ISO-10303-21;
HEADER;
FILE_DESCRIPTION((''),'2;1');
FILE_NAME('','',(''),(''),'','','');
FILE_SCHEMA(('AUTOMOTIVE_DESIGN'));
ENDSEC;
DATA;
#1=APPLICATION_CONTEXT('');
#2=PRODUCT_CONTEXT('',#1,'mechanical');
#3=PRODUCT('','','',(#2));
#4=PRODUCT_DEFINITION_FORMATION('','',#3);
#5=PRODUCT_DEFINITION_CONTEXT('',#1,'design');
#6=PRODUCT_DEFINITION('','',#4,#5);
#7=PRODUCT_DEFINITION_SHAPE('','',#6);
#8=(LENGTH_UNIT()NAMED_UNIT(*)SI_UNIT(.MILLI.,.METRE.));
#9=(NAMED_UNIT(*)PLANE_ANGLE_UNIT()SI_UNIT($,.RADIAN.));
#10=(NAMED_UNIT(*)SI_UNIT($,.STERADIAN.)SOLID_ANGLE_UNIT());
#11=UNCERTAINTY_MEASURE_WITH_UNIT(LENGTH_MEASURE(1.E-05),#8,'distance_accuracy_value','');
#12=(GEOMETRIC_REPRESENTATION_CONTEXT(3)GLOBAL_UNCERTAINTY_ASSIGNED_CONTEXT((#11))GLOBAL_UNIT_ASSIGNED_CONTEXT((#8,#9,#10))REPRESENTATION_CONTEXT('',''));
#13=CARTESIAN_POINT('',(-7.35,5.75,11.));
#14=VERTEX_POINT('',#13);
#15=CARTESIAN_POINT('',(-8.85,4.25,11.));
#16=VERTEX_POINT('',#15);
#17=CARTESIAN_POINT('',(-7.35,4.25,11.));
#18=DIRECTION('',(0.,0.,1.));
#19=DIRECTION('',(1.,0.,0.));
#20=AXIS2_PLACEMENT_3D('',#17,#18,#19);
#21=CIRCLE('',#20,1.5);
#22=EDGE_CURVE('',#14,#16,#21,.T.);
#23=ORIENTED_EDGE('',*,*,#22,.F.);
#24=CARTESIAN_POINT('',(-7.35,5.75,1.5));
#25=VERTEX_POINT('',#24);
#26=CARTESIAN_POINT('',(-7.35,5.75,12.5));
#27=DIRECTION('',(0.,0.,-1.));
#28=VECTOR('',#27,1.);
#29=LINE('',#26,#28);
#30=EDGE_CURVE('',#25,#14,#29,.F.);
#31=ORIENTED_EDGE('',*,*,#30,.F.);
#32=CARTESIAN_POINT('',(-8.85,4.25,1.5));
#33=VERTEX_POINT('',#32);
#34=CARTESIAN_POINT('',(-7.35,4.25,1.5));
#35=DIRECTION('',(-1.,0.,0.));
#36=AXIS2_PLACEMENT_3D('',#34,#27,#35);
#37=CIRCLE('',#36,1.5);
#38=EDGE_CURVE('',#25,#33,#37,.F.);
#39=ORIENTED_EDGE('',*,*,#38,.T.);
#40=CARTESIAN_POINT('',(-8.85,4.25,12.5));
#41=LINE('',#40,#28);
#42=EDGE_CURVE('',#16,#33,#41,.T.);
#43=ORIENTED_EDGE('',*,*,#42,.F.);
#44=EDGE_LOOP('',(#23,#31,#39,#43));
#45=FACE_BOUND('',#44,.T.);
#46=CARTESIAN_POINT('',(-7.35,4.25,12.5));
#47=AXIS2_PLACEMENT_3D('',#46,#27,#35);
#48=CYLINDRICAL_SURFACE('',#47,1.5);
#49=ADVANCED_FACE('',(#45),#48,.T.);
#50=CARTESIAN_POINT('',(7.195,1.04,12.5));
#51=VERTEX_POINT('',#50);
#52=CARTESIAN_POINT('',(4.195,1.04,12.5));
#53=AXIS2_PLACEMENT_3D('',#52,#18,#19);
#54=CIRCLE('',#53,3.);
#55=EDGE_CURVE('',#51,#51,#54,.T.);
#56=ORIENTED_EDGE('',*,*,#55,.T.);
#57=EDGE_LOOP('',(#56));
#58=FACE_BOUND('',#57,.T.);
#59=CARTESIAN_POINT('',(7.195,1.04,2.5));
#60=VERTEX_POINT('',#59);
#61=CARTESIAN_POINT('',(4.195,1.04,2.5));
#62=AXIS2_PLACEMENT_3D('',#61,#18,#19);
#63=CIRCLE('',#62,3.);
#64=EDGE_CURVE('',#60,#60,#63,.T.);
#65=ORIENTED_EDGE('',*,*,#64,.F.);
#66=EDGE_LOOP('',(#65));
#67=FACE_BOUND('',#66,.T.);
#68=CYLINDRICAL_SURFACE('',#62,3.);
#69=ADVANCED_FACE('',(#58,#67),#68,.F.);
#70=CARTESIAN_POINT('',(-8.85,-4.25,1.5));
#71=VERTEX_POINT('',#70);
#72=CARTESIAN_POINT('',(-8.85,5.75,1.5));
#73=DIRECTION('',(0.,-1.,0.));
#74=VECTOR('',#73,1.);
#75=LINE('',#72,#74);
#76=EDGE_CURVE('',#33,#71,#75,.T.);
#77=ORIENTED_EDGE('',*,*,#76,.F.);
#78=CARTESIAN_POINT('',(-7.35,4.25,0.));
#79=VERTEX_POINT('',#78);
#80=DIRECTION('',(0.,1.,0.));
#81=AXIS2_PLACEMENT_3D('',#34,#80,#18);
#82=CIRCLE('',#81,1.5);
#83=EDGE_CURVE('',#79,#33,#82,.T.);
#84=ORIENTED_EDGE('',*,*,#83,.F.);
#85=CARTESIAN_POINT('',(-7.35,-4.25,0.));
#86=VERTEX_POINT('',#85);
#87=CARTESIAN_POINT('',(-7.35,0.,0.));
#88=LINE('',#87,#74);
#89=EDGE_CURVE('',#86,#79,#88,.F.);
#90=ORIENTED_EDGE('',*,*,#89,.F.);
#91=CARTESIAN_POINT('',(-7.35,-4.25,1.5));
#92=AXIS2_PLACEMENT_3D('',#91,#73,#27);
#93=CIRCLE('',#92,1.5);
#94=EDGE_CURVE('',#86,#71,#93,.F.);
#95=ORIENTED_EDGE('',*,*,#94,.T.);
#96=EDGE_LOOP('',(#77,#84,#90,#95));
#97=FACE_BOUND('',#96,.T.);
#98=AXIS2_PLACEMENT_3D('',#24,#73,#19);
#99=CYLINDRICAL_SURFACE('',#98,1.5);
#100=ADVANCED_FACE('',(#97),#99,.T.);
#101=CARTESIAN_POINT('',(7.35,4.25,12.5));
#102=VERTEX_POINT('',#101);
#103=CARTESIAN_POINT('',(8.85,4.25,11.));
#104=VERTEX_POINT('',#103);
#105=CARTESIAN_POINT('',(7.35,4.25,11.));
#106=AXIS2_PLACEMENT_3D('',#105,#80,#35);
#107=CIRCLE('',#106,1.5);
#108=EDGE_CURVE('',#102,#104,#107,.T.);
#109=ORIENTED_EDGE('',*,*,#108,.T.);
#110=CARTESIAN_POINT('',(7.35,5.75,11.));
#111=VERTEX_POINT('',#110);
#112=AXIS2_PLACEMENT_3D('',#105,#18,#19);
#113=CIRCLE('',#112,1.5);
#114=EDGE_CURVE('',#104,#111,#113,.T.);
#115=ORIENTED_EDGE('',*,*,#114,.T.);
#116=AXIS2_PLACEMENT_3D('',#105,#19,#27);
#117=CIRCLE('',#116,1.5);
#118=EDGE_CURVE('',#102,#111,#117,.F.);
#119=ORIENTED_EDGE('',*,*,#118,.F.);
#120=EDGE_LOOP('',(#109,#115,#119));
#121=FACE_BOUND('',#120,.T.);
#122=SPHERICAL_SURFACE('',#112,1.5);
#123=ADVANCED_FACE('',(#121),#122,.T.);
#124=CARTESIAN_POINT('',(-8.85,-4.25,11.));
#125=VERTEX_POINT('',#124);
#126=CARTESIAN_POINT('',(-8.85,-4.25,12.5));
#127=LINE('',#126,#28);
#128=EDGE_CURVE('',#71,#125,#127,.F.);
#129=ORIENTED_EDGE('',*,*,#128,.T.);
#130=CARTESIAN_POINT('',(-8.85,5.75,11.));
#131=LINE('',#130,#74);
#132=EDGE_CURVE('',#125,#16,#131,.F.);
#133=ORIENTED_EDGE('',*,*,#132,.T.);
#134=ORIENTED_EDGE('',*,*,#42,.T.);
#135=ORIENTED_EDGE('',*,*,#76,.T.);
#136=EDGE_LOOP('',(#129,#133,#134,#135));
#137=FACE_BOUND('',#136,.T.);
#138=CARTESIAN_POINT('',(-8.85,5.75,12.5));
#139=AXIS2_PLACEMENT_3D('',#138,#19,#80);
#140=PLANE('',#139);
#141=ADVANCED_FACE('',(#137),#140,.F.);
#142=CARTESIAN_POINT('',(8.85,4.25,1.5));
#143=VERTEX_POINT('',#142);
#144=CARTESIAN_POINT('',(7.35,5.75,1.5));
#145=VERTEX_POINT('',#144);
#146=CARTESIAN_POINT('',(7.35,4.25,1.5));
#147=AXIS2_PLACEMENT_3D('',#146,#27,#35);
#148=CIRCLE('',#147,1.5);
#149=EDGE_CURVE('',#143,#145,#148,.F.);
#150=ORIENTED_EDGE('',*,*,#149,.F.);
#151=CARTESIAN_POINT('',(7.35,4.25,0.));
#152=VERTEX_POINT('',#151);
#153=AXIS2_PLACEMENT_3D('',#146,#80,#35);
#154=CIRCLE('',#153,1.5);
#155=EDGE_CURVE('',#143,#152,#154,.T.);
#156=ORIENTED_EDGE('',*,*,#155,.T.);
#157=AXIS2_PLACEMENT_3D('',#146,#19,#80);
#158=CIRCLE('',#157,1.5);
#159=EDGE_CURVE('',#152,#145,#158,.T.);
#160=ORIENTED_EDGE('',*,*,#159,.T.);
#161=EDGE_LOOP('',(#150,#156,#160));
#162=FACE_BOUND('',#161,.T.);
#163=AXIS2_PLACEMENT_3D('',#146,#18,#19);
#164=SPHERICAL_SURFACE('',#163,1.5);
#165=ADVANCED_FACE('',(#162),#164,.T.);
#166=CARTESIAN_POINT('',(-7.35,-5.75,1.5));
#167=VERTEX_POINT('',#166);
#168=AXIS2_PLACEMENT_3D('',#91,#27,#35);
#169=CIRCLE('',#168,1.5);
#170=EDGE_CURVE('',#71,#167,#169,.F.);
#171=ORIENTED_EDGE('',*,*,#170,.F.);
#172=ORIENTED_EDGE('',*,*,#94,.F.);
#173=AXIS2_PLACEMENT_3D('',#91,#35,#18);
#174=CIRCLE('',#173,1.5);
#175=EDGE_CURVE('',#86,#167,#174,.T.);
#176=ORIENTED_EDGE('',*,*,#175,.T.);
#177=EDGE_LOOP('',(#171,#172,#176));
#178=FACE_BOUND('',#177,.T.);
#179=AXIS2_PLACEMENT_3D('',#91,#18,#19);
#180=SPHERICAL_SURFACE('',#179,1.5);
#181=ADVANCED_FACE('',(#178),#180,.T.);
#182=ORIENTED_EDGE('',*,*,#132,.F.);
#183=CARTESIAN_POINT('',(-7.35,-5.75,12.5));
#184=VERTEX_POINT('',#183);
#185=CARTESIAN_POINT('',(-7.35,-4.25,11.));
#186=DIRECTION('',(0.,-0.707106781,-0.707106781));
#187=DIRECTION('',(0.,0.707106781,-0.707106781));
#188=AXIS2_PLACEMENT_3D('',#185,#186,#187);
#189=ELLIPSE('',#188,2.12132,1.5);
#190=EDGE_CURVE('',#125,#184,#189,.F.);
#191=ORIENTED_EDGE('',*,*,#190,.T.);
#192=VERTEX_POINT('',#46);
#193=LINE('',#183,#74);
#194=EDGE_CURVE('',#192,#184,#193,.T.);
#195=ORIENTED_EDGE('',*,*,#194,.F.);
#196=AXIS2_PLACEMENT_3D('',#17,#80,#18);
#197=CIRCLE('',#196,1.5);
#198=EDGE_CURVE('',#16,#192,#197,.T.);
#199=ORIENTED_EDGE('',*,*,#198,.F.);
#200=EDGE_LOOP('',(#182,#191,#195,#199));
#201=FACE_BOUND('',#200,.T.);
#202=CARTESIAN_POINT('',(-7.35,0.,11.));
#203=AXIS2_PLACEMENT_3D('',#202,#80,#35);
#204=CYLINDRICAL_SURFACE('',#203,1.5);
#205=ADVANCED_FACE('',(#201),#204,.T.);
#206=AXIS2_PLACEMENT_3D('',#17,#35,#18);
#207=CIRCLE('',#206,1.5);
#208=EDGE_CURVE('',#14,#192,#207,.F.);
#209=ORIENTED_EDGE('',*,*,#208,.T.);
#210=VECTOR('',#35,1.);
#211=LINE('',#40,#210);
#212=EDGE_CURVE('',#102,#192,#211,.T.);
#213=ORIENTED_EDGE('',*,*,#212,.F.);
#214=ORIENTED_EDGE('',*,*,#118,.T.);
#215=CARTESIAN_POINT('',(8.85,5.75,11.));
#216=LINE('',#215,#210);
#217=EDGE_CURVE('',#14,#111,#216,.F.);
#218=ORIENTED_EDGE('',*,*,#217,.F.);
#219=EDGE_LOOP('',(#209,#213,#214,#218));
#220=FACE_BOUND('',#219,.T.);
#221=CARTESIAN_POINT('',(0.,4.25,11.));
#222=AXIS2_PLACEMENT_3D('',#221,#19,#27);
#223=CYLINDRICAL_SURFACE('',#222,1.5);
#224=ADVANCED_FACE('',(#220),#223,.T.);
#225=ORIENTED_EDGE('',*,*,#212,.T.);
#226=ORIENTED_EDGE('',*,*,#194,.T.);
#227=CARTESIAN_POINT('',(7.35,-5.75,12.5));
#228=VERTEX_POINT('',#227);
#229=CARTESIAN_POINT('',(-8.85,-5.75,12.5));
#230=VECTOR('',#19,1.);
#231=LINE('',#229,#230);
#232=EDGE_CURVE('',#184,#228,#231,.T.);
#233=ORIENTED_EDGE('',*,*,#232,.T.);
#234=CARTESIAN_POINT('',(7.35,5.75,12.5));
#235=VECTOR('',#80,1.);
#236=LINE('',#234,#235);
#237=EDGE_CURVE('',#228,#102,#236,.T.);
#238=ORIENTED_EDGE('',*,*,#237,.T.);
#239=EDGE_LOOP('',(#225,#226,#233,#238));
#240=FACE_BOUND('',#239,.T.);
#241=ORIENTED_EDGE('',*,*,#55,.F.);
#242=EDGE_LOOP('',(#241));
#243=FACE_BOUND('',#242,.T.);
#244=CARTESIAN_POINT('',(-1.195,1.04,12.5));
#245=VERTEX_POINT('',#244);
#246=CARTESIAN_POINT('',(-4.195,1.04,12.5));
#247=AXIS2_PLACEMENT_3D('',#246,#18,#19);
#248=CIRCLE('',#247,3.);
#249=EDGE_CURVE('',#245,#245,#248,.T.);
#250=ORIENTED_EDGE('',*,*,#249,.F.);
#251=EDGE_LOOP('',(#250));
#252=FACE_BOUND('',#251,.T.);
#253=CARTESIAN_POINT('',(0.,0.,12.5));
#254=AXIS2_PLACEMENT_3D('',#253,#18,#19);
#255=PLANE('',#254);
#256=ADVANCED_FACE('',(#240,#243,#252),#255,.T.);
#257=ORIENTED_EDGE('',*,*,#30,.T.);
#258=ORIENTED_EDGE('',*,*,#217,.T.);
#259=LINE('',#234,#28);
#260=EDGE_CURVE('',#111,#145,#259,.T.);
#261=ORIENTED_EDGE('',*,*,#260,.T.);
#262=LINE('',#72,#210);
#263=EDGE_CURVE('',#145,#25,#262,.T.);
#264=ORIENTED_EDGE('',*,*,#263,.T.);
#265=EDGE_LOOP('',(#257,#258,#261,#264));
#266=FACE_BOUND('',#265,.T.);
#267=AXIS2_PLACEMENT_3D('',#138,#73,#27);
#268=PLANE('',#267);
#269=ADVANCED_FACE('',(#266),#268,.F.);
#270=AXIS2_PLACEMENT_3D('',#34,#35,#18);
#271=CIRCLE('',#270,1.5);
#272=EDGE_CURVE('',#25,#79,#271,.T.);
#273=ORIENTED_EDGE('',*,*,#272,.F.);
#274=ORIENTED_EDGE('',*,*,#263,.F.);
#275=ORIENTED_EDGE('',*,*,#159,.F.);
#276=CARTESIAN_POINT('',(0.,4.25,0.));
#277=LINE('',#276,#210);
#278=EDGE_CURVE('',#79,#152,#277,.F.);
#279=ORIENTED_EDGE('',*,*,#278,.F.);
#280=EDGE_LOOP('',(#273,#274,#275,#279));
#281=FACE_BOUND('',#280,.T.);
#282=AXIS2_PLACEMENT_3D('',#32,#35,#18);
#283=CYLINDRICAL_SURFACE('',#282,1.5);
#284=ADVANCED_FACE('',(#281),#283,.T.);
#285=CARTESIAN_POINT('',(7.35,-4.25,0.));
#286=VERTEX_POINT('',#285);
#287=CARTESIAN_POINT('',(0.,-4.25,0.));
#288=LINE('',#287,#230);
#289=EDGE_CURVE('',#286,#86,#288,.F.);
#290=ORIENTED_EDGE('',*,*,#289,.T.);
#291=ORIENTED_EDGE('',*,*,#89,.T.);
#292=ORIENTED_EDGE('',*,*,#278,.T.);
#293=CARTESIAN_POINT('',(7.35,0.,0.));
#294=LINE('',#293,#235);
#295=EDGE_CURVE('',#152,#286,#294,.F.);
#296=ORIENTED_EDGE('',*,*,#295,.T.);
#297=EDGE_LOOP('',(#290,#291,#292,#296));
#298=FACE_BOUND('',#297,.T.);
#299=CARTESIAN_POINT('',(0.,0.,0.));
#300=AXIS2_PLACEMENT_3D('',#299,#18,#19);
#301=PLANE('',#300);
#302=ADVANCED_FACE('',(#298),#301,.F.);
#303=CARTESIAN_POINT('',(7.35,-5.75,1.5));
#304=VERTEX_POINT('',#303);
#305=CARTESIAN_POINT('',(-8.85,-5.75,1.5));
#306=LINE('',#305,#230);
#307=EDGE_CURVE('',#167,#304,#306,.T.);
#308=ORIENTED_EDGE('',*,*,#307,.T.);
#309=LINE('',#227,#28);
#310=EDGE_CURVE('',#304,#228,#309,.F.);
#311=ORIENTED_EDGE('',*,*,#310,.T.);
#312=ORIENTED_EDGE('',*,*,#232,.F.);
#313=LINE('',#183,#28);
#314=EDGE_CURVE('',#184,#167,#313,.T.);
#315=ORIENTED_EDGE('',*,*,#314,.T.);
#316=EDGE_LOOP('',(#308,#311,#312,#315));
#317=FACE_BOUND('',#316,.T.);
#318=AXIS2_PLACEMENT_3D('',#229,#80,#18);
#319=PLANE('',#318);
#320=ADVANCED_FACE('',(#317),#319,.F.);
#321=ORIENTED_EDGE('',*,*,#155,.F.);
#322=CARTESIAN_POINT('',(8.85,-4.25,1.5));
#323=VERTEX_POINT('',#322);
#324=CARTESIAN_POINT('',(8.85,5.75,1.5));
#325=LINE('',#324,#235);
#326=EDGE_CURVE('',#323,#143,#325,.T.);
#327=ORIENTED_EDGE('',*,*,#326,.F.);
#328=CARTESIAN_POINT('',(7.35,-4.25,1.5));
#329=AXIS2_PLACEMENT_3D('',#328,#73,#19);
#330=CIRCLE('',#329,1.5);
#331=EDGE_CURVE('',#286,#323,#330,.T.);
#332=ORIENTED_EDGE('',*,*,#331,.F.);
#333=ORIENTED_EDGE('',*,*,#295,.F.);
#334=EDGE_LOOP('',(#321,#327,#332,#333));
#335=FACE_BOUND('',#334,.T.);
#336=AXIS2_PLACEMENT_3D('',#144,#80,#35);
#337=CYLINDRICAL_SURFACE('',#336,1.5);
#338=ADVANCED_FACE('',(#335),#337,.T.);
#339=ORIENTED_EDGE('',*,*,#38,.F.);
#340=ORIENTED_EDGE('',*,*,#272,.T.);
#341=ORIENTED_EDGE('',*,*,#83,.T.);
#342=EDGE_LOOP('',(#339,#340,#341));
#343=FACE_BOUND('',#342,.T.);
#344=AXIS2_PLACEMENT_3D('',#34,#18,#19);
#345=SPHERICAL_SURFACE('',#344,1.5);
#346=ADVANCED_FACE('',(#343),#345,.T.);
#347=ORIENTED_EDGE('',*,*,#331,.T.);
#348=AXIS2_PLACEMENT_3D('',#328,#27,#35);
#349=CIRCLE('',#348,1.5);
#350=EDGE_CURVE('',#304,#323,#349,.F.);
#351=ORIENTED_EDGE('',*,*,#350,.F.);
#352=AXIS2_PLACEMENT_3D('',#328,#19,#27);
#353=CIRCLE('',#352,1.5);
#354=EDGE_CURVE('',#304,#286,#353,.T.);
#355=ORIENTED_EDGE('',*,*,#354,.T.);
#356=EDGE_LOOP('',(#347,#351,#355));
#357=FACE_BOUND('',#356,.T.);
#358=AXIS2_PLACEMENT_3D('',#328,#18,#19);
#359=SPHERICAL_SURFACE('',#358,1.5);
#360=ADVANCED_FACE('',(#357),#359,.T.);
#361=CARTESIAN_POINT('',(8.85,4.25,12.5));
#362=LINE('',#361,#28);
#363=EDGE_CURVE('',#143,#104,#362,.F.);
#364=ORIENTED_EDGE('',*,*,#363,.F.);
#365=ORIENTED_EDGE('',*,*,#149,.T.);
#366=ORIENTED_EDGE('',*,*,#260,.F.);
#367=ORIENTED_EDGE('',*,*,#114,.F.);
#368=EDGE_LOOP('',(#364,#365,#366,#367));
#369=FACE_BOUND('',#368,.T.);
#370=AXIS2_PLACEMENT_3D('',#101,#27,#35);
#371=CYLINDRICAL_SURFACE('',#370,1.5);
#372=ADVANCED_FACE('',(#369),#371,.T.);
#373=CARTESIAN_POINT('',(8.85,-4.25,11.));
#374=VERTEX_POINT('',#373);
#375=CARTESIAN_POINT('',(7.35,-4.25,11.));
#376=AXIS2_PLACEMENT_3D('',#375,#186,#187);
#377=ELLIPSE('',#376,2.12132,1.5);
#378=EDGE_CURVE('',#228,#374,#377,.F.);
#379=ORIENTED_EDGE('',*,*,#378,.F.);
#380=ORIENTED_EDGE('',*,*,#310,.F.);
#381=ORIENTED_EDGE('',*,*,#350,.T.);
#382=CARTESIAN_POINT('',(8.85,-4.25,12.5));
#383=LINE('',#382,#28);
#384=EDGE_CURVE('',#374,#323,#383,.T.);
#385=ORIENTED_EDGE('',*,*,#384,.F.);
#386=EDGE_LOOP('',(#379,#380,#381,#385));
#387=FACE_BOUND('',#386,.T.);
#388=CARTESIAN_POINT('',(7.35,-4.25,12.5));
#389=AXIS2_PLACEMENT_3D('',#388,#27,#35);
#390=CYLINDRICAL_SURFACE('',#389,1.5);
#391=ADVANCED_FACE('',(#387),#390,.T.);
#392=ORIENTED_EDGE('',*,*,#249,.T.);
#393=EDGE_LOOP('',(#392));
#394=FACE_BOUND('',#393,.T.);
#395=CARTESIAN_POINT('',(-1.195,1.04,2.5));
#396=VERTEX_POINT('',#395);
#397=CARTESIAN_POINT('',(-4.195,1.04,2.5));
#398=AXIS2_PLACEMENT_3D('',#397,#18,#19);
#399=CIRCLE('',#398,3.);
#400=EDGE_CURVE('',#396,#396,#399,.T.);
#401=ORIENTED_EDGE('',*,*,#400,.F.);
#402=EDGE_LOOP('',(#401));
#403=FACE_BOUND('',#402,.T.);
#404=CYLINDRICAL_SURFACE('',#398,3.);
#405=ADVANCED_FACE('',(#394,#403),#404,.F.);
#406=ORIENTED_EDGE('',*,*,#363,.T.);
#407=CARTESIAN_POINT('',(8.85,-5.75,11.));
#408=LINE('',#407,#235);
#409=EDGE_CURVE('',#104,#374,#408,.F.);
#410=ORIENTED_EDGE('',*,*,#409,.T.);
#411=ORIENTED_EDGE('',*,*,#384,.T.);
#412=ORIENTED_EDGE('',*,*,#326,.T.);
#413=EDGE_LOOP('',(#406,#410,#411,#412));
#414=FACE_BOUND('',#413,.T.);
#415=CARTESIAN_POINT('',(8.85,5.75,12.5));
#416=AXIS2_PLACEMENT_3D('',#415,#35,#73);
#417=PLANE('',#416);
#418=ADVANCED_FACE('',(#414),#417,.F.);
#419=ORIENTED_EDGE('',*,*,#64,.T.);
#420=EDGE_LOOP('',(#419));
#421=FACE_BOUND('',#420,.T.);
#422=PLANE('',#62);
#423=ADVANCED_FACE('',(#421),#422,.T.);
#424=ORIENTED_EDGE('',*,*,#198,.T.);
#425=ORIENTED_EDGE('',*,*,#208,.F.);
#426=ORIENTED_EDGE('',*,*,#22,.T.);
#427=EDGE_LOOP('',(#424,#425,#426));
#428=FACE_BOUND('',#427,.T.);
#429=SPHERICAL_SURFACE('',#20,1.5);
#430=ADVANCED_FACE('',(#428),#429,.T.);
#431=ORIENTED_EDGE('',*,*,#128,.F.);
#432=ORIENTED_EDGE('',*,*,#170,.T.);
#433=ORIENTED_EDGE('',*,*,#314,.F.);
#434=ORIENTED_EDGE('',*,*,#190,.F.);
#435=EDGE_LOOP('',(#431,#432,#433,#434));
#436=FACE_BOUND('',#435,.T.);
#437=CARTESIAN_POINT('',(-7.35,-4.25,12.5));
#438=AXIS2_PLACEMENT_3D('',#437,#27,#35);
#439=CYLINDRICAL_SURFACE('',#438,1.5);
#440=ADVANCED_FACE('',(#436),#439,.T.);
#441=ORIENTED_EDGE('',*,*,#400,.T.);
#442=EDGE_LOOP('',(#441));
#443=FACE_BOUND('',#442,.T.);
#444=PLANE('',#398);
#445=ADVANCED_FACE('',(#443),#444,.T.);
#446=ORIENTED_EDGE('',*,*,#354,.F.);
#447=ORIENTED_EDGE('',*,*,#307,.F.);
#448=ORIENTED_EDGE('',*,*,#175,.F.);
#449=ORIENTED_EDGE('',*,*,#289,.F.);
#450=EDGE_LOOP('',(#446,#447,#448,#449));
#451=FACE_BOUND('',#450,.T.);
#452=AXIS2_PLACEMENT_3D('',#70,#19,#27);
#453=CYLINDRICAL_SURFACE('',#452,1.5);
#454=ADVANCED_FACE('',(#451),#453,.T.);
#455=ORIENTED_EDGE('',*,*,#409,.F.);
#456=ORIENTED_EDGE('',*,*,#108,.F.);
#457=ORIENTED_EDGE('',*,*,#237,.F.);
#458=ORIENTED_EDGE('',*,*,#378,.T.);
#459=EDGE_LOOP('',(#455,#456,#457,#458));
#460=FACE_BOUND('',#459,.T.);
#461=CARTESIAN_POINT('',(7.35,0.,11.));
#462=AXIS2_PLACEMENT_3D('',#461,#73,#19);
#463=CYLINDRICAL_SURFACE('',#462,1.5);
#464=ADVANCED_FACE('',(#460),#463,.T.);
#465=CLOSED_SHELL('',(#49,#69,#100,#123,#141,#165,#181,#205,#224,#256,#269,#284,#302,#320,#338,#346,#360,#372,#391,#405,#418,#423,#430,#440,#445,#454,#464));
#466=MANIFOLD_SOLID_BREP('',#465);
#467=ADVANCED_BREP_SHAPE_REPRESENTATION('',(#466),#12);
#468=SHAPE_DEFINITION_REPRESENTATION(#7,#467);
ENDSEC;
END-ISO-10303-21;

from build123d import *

# Parameters (mm, degrees)
ESBO_O1_W                = 17.7
ESBO_O1_H                = 11.5
RESSALTO_EXTRUS_O1_DEPTH = 12.5
ESBO_O2_R                = 3
CORTE_EXTRUS_O1_DEPTH    = 10
FILETE1_R                = 1.5


with BuildPart() as part:
    # Esboço1 → Ressalto-extrusão1 (new body)
    with BuildSketch(Plane.XY):
        Rectangle(ESBO_O1_W, ESBO_O1_H)
    extrude(amount=RESSALTO_EXTRUS_O1_DEPTH)

    # Esboço2 → Corte-extrusão1 (cut)
    with BuildSketch(Plane.XY.offset(12.5)):
        with Locations((4.195, 1.04)):
            Circle(ESBO_O2_R)
        with Locations((-4.195, 1.04)):
            Circle(ESBO_O2_R)
    extrude(amount=-CORTE_EXTRUS_O1_DEPTH, mode=Mode.SUBTRACT)

    # Filete1
    filete1_edges = [part.edges().sort_by_distance(p)[0] for p in [
        (-8.85, 0, 12.5),
        (8.85, 0, 12.5),
        (0, -5.75, 0),
        (-8.85, 0, 0),
        (0, 5.75, 0),
        (8.85, 0, 0),
        (8.85, -5.75, 6.25),
        (-8.85, -5.75, 6.25),
        (-8.85, 5.75, 6.25),
        (8.85, 5.75, 6.25),
        (0, 5.75, 12.5),
    ]]
    fillet(filete1_edges, radius=FILETE1_R)


solid = part.part
